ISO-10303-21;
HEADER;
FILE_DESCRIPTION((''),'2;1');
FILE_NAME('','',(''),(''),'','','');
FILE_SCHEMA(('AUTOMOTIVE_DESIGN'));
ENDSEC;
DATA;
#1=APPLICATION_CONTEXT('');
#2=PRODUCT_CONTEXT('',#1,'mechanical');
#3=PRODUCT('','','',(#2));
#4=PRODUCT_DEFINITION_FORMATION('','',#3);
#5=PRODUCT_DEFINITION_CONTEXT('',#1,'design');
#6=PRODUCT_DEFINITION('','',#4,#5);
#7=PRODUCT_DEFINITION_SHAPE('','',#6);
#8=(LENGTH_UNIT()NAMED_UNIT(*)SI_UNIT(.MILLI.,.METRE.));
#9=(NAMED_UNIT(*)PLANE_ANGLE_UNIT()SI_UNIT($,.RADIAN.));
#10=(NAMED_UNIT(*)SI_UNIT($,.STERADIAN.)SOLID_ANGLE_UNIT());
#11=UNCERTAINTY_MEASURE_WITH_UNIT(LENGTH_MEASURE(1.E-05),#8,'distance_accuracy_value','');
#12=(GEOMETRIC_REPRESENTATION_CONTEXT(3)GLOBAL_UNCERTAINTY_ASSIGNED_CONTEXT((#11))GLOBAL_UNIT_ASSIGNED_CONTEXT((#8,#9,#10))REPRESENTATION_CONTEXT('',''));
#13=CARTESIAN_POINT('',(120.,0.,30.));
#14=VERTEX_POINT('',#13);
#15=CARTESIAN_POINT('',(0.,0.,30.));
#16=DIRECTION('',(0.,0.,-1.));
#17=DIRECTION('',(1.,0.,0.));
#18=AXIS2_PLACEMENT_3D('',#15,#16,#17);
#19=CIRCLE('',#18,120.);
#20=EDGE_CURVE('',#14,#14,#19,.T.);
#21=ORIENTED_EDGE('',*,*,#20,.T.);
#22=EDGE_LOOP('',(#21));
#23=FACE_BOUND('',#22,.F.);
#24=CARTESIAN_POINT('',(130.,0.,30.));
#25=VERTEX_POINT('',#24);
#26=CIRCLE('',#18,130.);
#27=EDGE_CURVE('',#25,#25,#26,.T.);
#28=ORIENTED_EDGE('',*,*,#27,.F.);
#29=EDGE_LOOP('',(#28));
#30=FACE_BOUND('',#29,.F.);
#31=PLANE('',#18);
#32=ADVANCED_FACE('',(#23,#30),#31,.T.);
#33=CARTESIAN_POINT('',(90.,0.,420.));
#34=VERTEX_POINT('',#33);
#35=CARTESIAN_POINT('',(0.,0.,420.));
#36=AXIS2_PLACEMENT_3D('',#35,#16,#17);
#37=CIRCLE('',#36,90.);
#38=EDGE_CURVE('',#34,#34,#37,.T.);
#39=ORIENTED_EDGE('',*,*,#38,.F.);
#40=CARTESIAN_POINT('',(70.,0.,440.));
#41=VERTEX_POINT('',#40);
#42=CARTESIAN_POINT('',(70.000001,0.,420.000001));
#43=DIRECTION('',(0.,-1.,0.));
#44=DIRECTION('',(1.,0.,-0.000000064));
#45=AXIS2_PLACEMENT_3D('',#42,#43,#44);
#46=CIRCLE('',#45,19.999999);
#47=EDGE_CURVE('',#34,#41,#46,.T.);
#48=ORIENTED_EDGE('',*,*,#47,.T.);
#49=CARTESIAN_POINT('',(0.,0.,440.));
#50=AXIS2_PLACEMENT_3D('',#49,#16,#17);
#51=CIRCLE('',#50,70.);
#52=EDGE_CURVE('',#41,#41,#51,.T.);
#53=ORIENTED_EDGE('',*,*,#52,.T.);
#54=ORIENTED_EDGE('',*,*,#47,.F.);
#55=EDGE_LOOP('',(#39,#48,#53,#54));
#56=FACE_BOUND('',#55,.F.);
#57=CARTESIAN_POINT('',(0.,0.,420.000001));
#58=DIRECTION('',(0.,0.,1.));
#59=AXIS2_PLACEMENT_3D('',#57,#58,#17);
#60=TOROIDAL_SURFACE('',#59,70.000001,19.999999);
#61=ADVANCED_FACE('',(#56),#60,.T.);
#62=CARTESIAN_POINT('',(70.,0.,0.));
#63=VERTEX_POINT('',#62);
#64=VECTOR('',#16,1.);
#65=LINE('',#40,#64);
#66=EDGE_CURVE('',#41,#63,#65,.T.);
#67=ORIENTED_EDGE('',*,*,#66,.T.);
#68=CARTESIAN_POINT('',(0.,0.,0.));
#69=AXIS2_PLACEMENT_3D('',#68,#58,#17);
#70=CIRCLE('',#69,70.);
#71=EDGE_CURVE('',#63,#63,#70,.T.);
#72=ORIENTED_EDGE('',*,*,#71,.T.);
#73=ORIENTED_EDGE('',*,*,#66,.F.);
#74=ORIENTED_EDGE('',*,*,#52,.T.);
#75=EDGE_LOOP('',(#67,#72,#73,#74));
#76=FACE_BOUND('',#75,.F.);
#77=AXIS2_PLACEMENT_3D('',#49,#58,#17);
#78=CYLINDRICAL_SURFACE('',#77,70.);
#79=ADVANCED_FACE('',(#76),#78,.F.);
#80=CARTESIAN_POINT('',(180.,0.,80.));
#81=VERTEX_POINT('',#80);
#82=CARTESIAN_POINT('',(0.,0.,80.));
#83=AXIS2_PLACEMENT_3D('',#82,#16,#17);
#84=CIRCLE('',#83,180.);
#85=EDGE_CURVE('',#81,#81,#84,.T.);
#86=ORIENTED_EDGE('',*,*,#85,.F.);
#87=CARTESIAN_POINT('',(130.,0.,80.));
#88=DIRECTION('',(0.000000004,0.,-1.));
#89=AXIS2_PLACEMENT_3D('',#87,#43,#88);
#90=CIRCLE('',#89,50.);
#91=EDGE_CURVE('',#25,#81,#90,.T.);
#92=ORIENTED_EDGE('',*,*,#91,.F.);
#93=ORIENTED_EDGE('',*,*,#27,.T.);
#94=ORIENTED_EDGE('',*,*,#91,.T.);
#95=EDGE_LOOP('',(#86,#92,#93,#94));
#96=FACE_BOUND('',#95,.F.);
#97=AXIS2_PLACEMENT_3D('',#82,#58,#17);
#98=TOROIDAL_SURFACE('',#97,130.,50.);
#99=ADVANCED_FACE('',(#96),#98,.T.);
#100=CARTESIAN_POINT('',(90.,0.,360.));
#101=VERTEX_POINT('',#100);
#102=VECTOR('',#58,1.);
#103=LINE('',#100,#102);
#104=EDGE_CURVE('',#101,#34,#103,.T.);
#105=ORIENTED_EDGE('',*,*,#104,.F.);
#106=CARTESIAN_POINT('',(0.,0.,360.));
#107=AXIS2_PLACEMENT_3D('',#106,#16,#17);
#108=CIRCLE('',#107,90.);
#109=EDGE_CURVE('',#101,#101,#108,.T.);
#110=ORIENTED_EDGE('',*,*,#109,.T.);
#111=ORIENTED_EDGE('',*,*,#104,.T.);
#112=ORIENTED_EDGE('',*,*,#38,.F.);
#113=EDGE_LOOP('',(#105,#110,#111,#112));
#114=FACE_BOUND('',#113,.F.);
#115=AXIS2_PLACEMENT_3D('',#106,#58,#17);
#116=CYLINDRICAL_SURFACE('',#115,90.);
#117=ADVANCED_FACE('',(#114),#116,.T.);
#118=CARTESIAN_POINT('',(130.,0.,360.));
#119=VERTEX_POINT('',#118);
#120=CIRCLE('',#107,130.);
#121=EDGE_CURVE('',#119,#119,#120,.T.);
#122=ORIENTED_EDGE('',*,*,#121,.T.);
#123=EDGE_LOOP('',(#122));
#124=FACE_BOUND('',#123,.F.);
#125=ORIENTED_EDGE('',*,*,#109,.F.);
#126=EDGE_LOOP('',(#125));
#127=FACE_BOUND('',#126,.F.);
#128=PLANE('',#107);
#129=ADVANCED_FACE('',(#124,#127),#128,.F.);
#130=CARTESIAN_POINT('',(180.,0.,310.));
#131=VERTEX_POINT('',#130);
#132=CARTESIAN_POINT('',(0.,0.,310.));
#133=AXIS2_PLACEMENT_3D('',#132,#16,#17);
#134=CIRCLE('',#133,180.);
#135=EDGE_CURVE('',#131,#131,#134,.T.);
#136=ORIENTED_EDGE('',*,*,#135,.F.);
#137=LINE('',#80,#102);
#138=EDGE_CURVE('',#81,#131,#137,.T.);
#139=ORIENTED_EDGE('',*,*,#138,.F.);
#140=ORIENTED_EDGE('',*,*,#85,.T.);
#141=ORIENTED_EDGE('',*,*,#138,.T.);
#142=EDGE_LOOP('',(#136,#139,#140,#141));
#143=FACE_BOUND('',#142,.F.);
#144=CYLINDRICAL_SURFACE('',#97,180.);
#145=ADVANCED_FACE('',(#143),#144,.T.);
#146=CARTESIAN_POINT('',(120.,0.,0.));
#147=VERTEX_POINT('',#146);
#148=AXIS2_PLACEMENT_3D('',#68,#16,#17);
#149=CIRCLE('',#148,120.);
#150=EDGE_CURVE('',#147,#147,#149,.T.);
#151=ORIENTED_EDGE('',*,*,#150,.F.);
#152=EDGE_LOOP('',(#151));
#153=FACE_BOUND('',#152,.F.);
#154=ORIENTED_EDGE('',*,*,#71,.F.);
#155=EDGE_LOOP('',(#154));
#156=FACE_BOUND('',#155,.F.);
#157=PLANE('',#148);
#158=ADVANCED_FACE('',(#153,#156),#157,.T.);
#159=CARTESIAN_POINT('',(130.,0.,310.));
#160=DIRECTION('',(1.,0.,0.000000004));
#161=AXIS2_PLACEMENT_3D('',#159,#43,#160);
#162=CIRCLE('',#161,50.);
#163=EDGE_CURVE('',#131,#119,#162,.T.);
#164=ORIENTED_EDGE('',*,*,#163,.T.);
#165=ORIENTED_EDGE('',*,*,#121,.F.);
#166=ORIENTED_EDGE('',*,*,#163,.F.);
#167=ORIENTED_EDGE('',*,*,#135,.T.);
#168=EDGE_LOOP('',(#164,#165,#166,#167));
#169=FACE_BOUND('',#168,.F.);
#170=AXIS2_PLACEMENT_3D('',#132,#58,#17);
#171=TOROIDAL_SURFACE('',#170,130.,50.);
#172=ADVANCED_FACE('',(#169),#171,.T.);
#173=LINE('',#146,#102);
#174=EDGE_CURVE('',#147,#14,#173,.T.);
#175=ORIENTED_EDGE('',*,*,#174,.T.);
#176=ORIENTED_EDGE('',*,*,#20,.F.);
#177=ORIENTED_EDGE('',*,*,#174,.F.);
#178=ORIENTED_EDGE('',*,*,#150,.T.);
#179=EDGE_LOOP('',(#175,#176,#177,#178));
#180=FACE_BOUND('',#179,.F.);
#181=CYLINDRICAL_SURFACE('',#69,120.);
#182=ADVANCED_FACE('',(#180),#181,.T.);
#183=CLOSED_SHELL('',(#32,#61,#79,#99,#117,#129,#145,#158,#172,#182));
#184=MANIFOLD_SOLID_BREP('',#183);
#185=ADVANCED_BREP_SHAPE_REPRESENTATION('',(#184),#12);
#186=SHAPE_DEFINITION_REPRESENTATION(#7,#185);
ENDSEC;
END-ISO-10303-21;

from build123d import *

# Parameters (mm, degrees)
F2_R     = 70
F3_DEPTH = 500


with BuildPart() as f1:
    # F0 (on Front) → F1 (revolve)
    with BuildSketch(Plane.XZ):
        with BuildLine():
            Line((70, 440), (0, 440))
            Line((0, 440), (0, 0))
            Line((0, 0), (120, 0))
            Line((120, 0), (120, 30))
            Line((120, 30), (130, 30))
            ThreePointArc((130, 30), (165.355339, 44.644661), (180, 80))
            Line((180, 80), (180, 310))
            ThreePointArc((180, 310), (165.355339, 345.355339), (130, 360))
            Line((130, 360), (90, 360))
            Line((90, 360), (90, 420))
            ThreePointArc((90, 420), (84.142136, 434.142136), (70, 440))
        make_face()
    revolve(axis=Axis((0, 0, 220), (0, 0, -1)))

    # F2 (on face) → F3 (cut)
    with BuildSketch(Plane.XY.offset(440)):
        Circle(F2_R)
    extrude(amount=-F3_DEPTH, mode=Mode.SUBTRACT)


solid = f1.part
